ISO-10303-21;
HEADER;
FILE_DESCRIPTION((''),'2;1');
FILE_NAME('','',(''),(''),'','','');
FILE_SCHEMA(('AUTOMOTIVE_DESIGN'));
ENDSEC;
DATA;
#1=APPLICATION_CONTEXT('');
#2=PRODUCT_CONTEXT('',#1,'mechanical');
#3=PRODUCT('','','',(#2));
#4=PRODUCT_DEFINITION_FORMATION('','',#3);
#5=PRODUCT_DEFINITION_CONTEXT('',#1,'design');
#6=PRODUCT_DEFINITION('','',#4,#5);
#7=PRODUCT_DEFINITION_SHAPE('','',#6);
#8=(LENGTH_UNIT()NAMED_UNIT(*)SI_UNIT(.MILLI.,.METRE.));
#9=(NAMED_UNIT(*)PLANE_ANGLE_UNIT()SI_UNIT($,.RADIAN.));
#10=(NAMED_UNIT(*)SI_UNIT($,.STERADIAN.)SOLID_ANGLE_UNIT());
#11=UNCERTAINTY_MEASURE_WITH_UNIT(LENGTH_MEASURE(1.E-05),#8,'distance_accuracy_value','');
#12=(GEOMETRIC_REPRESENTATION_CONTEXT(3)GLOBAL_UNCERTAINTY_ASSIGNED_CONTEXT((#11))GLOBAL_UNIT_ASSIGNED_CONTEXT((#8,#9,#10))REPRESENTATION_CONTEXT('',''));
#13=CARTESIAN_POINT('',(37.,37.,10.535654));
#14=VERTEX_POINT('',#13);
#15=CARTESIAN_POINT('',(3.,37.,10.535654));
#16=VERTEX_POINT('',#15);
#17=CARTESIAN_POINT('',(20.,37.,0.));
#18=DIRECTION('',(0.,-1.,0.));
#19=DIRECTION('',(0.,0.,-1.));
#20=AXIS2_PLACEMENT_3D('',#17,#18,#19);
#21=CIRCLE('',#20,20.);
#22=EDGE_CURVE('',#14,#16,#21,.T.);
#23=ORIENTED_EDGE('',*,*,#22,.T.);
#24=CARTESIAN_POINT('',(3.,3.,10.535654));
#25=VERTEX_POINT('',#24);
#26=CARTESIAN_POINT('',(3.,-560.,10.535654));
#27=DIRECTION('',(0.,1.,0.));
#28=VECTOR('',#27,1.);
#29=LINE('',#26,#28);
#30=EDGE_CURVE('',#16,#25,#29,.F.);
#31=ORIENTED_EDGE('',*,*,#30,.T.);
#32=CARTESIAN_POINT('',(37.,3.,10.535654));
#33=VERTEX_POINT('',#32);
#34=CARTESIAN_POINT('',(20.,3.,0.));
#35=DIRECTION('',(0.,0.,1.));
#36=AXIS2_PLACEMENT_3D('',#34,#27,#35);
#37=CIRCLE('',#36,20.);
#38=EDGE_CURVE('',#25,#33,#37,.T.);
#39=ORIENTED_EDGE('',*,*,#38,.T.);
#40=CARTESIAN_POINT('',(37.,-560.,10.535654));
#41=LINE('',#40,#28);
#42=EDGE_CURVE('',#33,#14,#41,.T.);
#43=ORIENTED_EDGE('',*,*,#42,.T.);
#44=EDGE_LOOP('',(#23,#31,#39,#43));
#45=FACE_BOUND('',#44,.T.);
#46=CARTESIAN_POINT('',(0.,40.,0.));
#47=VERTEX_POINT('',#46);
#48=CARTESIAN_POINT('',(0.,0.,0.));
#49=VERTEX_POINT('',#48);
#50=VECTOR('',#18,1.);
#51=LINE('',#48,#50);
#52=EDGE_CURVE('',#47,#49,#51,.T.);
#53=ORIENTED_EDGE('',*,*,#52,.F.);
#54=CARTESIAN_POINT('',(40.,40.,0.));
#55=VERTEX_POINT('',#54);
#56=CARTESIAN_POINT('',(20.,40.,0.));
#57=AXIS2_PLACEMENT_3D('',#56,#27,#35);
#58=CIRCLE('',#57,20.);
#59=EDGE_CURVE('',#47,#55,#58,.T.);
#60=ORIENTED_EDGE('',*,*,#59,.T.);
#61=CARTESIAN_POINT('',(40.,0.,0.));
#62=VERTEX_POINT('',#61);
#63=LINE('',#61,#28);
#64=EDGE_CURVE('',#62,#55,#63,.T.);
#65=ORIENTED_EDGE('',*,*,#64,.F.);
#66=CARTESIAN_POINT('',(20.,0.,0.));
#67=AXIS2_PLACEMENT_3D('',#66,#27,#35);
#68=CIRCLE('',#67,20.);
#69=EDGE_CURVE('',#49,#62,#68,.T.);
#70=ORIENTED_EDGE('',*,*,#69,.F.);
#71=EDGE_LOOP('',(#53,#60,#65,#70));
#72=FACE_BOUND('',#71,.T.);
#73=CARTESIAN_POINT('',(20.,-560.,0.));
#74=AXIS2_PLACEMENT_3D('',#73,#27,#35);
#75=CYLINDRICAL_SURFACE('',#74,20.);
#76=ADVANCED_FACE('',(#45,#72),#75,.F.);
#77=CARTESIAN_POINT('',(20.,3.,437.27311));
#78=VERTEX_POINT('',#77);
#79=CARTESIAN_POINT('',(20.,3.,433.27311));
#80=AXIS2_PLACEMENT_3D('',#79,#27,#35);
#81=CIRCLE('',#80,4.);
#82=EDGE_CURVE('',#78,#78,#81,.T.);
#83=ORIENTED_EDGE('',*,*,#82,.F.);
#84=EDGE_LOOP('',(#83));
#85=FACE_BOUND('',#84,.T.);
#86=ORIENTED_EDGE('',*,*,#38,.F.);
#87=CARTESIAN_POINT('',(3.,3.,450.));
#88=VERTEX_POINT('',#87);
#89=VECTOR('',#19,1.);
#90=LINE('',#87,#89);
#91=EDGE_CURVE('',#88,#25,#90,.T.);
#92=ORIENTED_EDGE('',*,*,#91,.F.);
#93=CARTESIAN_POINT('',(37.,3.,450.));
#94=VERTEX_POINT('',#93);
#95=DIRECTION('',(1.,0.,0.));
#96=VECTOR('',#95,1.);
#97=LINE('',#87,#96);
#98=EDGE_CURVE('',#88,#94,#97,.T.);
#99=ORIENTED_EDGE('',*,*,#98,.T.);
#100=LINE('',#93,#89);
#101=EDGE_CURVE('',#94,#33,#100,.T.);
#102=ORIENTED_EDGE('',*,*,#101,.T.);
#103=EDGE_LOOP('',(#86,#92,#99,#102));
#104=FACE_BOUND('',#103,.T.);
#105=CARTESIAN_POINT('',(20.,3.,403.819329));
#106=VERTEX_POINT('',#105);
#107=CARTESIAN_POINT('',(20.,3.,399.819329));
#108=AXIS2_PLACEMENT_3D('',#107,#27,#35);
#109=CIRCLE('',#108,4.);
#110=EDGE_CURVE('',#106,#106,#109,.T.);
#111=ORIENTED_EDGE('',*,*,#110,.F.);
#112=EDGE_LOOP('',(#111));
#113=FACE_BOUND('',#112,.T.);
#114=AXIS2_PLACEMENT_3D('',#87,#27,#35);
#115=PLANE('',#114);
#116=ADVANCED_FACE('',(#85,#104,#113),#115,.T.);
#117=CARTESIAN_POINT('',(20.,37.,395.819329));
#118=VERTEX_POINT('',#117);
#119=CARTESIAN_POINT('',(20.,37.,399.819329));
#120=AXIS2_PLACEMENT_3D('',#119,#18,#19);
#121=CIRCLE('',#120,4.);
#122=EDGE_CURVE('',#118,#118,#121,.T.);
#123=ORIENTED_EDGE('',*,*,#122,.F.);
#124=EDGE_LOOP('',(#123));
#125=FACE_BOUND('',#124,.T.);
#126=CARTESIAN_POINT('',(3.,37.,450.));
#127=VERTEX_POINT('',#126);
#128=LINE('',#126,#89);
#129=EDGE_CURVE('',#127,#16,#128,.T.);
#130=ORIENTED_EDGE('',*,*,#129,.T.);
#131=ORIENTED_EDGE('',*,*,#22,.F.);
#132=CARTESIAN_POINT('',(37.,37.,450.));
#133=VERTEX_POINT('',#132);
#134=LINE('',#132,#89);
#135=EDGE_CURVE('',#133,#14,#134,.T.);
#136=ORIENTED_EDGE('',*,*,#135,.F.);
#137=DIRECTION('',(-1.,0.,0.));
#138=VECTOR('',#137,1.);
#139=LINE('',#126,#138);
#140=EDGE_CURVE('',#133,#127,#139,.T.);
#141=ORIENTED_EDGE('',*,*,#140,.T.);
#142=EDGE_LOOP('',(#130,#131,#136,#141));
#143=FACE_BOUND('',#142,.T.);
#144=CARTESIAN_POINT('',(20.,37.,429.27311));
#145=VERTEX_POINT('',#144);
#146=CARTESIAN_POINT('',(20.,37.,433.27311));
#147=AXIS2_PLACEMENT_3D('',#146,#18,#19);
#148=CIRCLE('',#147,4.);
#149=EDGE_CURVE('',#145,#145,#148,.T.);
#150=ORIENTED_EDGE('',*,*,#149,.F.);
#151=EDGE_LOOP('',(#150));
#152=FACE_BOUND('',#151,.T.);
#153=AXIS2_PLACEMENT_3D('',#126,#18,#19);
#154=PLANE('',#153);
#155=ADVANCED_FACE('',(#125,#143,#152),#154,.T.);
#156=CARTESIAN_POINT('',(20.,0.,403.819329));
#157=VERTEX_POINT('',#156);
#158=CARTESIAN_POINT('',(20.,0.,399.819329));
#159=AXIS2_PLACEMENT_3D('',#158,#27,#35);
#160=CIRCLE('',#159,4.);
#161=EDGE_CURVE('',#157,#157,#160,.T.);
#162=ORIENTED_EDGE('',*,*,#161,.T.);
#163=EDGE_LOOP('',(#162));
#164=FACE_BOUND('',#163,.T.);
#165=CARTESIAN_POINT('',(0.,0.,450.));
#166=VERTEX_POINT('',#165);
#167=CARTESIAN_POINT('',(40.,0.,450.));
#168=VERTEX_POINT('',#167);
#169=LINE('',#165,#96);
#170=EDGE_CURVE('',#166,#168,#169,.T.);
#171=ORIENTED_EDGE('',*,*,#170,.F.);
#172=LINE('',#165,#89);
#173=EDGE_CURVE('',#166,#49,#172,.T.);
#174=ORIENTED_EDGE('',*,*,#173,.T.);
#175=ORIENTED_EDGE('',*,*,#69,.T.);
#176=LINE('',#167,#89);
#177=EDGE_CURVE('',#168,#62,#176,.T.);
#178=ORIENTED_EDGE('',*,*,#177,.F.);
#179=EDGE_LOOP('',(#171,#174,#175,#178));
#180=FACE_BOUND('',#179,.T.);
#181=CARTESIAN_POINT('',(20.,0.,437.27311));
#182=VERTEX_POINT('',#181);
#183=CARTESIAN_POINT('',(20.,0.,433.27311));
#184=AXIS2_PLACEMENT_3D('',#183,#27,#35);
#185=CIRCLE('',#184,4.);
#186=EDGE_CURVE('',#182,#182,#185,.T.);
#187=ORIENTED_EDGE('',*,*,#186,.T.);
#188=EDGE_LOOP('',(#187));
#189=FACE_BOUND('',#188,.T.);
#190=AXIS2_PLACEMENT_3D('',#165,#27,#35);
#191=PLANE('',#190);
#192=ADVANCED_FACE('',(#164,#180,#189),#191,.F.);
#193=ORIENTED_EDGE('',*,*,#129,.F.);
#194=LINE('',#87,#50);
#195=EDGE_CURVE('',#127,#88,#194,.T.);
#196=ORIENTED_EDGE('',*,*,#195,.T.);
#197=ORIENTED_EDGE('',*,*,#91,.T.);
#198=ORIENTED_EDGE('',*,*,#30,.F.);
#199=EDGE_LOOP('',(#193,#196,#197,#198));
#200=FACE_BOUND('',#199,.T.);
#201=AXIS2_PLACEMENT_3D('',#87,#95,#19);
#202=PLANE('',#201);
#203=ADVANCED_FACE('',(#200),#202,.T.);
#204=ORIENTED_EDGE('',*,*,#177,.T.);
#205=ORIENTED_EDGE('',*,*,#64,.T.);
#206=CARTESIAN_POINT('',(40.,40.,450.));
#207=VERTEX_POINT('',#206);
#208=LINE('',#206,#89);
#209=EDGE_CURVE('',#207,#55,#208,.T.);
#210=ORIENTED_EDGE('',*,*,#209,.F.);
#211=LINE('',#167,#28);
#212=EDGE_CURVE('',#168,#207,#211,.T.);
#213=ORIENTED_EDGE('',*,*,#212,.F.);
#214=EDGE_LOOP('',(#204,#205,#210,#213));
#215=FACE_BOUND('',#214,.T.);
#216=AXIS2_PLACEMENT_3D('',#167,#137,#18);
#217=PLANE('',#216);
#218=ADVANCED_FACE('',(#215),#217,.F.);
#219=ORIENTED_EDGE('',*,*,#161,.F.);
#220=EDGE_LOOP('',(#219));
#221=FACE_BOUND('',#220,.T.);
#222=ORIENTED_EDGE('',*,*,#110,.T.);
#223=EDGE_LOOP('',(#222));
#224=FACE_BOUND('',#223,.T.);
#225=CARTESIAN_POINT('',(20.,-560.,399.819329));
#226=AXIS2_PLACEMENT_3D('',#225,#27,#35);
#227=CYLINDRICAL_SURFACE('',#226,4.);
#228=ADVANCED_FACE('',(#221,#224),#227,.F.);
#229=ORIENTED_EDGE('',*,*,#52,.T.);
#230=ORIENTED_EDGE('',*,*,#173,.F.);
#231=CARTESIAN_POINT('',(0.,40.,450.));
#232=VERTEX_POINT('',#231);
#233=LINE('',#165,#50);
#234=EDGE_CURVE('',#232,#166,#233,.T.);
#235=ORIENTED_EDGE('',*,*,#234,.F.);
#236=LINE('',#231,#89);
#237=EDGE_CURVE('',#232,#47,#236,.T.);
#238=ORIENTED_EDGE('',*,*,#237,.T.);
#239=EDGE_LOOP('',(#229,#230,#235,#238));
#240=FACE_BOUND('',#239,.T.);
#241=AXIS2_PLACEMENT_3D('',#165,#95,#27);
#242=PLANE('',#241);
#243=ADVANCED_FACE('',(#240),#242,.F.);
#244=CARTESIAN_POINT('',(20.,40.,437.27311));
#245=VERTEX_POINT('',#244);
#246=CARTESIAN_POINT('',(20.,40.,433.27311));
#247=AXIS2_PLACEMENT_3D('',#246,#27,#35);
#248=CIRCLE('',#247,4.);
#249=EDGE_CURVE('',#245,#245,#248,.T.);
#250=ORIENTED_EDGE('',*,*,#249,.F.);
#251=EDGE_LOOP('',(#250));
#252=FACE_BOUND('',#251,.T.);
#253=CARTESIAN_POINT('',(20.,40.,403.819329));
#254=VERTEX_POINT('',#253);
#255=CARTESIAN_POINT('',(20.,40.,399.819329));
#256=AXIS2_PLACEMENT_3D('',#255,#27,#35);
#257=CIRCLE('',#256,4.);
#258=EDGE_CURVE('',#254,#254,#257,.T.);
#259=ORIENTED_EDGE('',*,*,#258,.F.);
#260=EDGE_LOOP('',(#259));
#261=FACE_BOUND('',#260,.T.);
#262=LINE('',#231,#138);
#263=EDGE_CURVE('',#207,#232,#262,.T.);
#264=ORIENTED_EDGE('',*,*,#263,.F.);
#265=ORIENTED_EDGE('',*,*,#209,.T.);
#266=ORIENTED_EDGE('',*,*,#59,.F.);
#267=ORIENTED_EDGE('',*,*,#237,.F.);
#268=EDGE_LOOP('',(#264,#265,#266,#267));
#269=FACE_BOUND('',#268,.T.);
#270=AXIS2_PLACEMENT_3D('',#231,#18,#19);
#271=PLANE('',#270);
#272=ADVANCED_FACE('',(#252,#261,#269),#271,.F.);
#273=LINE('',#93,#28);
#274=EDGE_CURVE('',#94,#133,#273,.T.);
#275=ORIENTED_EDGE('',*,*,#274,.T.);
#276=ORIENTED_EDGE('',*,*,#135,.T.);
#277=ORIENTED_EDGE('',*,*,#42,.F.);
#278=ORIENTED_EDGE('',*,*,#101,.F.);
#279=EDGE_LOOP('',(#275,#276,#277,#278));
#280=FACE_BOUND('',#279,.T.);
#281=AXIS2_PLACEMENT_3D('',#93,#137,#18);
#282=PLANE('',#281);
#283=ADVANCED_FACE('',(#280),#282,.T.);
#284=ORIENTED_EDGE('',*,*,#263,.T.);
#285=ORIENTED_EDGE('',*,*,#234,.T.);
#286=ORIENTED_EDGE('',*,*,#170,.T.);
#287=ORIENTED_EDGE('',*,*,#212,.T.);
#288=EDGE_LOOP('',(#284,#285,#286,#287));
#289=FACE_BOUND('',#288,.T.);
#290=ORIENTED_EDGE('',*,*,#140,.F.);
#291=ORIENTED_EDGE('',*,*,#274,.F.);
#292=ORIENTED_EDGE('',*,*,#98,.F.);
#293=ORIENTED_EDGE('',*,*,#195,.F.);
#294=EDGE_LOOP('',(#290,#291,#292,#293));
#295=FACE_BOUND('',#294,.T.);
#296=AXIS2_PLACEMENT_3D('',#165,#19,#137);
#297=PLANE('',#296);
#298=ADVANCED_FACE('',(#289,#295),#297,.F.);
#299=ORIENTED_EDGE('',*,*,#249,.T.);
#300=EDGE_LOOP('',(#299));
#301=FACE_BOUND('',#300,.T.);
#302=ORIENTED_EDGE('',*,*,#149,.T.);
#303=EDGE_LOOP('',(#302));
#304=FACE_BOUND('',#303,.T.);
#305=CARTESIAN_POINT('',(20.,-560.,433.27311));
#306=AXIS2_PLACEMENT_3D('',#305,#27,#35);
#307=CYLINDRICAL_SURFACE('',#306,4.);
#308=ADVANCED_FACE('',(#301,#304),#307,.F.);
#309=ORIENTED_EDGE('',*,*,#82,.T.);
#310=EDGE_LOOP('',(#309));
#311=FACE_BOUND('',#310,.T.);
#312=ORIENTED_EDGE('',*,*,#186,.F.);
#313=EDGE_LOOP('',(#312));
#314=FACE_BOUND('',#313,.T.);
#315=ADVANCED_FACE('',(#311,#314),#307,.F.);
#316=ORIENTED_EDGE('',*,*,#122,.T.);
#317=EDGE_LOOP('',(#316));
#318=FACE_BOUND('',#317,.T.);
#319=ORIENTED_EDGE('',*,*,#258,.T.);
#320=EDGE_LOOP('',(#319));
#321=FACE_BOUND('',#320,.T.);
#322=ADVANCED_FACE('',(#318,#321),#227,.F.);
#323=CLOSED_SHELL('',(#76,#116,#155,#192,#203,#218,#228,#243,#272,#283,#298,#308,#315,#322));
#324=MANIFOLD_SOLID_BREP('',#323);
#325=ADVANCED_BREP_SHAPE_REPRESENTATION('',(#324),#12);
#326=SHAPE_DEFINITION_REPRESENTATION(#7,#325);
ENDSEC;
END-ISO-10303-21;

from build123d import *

# Parameters (mm, degrees)
SKETCH1_W           = 40
SKETCH1_H           = 40
SKETCH1_W_2         = 34
SKETCH1_H_2         = 34
BOSS_EXTRUDE1_DEPTH = 450
SKETCH2_R           = 4
SKETCH2_R_2         = 20
CUT_EXTRUDE1_DEPTH  = 600


with BuildPart() as part:
    # Sketch1 → Boss-Extrude1 (new body)
    with BuildSketch(Plane.XY):
        with Locations((20, 20)):
            Rectangle(SKETCH1_W, SKETCH1_H)
        with Locations((20, 20)):
            Rectangle(SKETCH1_W_2, SKETCH1_H_2, mode=Mode.SUBTRACT)
    extrude(amount=BOSS_EXTRUDE1_DEPTH)

    # Sketch2 → Cut-Extrude1 (cut)
    with BuildSketch(Plane(origin=(0, 40, 0), x_dir=(1, 0, 0), z_dir=(0, 1, 0))):
        with Locations(Location((20, -399.819329365, 0), (0, 0, 270))):
            Circle(SKETCH2_R)
        with Locations(Location((20, -433.273109788, 0), (0, 0, 270))):
            Circle(SKETCH2_R)
        with Locations((20, 0)):
            Circle(SKETCH2_R_2)
    extrude(amount=-CUT_EXTRUDE1_DEPTH, mode=Mode.SUBTRACT)


solid = part.part
